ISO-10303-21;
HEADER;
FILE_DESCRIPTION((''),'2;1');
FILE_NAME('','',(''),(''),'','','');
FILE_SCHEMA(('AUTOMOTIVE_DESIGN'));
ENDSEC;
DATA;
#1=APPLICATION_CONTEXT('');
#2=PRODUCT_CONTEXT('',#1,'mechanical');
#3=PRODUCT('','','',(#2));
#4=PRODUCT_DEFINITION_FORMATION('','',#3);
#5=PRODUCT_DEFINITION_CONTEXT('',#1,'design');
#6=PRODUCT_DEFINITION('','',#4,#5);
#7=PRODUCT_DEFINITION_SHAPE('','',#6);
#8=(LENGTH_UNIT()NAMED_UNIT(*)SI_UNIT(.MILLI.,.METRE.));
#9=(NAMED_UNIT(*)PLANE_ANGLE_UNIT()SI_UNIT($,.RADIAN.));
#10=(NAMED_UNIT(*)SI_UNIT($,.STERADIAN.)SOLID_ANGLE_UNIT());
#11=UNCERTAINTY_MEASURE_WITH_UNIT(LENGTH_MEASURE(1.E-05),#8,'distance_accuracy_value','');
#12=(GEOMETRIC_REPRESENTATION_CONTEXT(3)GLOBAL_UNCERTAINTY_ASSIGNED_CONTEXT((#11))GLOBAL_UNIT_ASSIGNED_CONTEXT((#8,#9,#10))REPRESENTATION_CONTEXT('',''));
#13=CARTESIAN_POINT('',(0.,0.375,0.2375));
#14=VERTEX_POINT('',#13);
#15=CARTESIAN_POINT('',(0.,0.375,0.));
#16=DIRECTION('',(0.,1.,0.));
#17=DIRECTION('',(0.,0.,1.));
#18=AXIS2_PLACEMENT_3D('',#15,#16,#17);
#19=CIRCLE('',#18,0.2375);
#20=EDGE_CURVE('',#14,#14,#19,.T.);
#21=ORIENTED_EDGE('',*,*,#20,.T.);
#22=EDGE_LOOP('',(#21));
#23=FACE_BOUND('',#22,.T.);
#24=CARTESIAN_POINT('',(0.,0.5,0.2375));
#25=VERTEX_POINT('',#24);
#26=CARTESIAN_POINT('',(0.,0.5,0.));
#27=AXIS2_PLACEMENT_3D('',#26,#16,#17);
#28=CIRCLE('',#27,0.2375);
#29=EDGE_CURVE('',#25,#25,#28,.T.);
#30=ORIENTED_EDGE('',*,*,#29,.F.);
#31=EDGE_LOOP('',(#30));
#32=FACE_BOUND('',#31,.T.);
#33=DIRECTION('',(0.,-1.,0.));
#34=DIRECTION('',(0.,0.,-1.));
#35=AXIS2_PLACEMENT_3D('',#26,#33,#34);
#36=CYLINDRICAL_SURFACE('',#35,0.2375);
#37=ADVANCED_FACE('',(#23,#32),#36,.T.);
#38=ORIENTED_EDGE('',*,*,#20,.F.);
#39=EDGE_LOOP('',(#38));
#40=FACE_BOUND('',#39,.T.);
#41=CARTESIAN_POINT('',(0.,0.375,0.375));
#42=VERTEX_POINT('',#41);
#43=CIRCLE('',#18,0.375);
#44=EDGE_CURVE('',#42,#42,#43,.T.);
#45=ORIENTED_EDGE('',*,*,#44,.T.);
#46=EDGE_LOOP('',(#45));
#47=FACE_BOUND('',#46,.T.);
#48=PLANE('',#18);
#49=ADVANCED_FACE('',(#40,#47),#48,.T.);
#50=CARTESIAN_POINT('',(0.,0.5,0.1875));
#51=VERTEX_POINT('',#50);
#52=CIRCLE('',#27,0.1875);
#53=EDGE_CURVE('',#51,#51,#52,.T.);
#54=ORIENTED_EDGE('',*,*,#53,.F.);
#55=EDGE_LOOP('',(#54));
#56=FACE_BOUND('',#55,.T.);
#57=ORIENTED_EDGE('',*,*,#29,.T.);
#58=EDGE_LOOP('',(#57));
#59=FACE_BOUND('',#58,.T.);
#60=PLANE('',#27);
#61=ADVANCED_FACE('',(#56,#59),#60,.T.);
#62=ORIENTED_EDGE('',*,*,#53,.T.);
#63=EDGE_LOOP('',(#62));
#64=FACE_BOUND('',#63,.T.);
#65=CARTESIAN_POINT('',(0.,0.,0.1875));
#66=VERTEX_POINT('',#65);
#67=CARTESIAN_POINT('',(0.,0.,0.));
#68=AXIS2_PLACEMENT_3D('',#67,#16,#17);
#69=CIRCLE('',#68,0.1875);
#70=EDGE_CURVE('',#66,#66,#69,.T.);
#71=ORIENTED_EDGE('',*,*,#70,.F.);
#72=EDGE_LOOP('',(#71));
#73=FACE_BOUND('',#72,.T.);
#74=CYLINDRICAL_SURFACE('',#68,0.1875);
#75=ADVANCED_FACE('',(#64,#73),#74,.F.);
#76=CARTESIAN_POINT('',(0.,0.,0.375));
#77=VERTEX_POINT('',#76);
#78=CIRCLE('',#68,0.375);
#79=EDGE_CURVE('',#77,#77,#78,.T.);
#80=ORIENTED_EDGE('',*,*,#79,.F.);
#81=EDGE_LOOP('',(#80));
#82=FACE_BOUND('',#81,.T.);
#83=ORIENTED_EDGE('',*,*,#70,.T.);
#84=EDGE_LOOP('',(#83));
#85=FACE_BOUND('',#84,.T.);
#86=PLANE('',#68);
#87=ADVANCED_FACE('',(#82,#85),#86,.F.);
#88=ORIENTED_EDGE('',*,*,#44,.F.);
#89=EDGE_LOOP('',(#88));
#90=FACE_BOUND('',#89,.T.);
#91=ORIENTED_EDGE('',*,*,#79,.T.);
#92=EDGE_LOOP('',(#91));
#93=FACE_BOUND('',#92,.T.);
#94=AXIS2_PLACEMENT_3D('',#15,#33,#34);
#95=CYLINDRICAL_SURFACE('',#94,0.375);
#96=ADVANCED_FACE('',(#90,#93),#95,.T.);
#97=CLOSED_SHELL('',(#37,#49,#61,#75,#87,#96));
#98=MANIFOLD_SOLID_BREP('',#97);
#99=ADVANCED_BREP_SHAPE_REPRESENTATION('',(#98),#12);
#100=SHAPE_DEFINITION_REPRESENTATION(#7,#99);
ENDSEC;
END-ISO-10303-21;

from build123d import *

# Parameters (mm, degrees)
SKETCH1_R           = 0.375
BOSS_EXTRUDE2_DEPTH = 0.375
SKETCH3_R           = 0.1875
CUT_EXTRUDE1_DEPTH  = 0.375
SKETCH4_R           = 0.2375
BOSS_EXTRUDE3_DEPTH = 0.125
SKETCH5_R           = 0.1875
CUT_EXTRUDE2_DEPTH  = 0.125


with BuildPart() as part:
    # Sketch1 → Boss-Extrude2 (new body)
    with BuildSketch(Plane(origin=(0, 0, 0), x_dir=(1, 0, 0), z_dir=(0, 1, 0))):
        with Locations(Location((0, 0, 0), (0, 0, 270))):
            Circle(SKETCH1_R)
    extrude(amount=BOSS_EXTRUDE2_DEPTH)

    # Sketch3 → Cut-Extrude1 (cut)
    with BuildSketch(Plane(origin=(0, 0.375, 0), x_dir=(1, 0, 0), z_dir=(0, 1, 0))):
        with Locations(Location((0, 0, 0), (0, 0, 270))):
            Circle(SKETCH3_R)
    extrude(amount=-CUT_EXTRUDE1_DEPTH, mode=Mode.SUBTRACT)

    # Sketch4 → Boss-Extrude3 (add)
    with BuildSketch(Plane(origin=(0, 0.375, 0), x_dir=(1, 0, 0), z_dir=(0, 1, 0))):
        with Locations(Location((0, 0, 0), (0, 0, 270))):
            Circle(SKETCH4_R)
    extrude(amount=BOSS_EXTRUDE3_DEPTH)

    # Sketch5 → Cut-Extrude2 (cut)
    with BuildSketch(Plane(origin=(0, 0.5, 0), x_dir=(1, 0, 0), z_dir=(0, 1, 0))):
        with Locations(Location((0, 0, 0), (0, 0, 270))):
            Circle(SKETCH5_R)
    extrude(amount=-CUT_EXTRUDE2_DEPTH, mode=Mode.SUBTRACT)


solid = part.part
